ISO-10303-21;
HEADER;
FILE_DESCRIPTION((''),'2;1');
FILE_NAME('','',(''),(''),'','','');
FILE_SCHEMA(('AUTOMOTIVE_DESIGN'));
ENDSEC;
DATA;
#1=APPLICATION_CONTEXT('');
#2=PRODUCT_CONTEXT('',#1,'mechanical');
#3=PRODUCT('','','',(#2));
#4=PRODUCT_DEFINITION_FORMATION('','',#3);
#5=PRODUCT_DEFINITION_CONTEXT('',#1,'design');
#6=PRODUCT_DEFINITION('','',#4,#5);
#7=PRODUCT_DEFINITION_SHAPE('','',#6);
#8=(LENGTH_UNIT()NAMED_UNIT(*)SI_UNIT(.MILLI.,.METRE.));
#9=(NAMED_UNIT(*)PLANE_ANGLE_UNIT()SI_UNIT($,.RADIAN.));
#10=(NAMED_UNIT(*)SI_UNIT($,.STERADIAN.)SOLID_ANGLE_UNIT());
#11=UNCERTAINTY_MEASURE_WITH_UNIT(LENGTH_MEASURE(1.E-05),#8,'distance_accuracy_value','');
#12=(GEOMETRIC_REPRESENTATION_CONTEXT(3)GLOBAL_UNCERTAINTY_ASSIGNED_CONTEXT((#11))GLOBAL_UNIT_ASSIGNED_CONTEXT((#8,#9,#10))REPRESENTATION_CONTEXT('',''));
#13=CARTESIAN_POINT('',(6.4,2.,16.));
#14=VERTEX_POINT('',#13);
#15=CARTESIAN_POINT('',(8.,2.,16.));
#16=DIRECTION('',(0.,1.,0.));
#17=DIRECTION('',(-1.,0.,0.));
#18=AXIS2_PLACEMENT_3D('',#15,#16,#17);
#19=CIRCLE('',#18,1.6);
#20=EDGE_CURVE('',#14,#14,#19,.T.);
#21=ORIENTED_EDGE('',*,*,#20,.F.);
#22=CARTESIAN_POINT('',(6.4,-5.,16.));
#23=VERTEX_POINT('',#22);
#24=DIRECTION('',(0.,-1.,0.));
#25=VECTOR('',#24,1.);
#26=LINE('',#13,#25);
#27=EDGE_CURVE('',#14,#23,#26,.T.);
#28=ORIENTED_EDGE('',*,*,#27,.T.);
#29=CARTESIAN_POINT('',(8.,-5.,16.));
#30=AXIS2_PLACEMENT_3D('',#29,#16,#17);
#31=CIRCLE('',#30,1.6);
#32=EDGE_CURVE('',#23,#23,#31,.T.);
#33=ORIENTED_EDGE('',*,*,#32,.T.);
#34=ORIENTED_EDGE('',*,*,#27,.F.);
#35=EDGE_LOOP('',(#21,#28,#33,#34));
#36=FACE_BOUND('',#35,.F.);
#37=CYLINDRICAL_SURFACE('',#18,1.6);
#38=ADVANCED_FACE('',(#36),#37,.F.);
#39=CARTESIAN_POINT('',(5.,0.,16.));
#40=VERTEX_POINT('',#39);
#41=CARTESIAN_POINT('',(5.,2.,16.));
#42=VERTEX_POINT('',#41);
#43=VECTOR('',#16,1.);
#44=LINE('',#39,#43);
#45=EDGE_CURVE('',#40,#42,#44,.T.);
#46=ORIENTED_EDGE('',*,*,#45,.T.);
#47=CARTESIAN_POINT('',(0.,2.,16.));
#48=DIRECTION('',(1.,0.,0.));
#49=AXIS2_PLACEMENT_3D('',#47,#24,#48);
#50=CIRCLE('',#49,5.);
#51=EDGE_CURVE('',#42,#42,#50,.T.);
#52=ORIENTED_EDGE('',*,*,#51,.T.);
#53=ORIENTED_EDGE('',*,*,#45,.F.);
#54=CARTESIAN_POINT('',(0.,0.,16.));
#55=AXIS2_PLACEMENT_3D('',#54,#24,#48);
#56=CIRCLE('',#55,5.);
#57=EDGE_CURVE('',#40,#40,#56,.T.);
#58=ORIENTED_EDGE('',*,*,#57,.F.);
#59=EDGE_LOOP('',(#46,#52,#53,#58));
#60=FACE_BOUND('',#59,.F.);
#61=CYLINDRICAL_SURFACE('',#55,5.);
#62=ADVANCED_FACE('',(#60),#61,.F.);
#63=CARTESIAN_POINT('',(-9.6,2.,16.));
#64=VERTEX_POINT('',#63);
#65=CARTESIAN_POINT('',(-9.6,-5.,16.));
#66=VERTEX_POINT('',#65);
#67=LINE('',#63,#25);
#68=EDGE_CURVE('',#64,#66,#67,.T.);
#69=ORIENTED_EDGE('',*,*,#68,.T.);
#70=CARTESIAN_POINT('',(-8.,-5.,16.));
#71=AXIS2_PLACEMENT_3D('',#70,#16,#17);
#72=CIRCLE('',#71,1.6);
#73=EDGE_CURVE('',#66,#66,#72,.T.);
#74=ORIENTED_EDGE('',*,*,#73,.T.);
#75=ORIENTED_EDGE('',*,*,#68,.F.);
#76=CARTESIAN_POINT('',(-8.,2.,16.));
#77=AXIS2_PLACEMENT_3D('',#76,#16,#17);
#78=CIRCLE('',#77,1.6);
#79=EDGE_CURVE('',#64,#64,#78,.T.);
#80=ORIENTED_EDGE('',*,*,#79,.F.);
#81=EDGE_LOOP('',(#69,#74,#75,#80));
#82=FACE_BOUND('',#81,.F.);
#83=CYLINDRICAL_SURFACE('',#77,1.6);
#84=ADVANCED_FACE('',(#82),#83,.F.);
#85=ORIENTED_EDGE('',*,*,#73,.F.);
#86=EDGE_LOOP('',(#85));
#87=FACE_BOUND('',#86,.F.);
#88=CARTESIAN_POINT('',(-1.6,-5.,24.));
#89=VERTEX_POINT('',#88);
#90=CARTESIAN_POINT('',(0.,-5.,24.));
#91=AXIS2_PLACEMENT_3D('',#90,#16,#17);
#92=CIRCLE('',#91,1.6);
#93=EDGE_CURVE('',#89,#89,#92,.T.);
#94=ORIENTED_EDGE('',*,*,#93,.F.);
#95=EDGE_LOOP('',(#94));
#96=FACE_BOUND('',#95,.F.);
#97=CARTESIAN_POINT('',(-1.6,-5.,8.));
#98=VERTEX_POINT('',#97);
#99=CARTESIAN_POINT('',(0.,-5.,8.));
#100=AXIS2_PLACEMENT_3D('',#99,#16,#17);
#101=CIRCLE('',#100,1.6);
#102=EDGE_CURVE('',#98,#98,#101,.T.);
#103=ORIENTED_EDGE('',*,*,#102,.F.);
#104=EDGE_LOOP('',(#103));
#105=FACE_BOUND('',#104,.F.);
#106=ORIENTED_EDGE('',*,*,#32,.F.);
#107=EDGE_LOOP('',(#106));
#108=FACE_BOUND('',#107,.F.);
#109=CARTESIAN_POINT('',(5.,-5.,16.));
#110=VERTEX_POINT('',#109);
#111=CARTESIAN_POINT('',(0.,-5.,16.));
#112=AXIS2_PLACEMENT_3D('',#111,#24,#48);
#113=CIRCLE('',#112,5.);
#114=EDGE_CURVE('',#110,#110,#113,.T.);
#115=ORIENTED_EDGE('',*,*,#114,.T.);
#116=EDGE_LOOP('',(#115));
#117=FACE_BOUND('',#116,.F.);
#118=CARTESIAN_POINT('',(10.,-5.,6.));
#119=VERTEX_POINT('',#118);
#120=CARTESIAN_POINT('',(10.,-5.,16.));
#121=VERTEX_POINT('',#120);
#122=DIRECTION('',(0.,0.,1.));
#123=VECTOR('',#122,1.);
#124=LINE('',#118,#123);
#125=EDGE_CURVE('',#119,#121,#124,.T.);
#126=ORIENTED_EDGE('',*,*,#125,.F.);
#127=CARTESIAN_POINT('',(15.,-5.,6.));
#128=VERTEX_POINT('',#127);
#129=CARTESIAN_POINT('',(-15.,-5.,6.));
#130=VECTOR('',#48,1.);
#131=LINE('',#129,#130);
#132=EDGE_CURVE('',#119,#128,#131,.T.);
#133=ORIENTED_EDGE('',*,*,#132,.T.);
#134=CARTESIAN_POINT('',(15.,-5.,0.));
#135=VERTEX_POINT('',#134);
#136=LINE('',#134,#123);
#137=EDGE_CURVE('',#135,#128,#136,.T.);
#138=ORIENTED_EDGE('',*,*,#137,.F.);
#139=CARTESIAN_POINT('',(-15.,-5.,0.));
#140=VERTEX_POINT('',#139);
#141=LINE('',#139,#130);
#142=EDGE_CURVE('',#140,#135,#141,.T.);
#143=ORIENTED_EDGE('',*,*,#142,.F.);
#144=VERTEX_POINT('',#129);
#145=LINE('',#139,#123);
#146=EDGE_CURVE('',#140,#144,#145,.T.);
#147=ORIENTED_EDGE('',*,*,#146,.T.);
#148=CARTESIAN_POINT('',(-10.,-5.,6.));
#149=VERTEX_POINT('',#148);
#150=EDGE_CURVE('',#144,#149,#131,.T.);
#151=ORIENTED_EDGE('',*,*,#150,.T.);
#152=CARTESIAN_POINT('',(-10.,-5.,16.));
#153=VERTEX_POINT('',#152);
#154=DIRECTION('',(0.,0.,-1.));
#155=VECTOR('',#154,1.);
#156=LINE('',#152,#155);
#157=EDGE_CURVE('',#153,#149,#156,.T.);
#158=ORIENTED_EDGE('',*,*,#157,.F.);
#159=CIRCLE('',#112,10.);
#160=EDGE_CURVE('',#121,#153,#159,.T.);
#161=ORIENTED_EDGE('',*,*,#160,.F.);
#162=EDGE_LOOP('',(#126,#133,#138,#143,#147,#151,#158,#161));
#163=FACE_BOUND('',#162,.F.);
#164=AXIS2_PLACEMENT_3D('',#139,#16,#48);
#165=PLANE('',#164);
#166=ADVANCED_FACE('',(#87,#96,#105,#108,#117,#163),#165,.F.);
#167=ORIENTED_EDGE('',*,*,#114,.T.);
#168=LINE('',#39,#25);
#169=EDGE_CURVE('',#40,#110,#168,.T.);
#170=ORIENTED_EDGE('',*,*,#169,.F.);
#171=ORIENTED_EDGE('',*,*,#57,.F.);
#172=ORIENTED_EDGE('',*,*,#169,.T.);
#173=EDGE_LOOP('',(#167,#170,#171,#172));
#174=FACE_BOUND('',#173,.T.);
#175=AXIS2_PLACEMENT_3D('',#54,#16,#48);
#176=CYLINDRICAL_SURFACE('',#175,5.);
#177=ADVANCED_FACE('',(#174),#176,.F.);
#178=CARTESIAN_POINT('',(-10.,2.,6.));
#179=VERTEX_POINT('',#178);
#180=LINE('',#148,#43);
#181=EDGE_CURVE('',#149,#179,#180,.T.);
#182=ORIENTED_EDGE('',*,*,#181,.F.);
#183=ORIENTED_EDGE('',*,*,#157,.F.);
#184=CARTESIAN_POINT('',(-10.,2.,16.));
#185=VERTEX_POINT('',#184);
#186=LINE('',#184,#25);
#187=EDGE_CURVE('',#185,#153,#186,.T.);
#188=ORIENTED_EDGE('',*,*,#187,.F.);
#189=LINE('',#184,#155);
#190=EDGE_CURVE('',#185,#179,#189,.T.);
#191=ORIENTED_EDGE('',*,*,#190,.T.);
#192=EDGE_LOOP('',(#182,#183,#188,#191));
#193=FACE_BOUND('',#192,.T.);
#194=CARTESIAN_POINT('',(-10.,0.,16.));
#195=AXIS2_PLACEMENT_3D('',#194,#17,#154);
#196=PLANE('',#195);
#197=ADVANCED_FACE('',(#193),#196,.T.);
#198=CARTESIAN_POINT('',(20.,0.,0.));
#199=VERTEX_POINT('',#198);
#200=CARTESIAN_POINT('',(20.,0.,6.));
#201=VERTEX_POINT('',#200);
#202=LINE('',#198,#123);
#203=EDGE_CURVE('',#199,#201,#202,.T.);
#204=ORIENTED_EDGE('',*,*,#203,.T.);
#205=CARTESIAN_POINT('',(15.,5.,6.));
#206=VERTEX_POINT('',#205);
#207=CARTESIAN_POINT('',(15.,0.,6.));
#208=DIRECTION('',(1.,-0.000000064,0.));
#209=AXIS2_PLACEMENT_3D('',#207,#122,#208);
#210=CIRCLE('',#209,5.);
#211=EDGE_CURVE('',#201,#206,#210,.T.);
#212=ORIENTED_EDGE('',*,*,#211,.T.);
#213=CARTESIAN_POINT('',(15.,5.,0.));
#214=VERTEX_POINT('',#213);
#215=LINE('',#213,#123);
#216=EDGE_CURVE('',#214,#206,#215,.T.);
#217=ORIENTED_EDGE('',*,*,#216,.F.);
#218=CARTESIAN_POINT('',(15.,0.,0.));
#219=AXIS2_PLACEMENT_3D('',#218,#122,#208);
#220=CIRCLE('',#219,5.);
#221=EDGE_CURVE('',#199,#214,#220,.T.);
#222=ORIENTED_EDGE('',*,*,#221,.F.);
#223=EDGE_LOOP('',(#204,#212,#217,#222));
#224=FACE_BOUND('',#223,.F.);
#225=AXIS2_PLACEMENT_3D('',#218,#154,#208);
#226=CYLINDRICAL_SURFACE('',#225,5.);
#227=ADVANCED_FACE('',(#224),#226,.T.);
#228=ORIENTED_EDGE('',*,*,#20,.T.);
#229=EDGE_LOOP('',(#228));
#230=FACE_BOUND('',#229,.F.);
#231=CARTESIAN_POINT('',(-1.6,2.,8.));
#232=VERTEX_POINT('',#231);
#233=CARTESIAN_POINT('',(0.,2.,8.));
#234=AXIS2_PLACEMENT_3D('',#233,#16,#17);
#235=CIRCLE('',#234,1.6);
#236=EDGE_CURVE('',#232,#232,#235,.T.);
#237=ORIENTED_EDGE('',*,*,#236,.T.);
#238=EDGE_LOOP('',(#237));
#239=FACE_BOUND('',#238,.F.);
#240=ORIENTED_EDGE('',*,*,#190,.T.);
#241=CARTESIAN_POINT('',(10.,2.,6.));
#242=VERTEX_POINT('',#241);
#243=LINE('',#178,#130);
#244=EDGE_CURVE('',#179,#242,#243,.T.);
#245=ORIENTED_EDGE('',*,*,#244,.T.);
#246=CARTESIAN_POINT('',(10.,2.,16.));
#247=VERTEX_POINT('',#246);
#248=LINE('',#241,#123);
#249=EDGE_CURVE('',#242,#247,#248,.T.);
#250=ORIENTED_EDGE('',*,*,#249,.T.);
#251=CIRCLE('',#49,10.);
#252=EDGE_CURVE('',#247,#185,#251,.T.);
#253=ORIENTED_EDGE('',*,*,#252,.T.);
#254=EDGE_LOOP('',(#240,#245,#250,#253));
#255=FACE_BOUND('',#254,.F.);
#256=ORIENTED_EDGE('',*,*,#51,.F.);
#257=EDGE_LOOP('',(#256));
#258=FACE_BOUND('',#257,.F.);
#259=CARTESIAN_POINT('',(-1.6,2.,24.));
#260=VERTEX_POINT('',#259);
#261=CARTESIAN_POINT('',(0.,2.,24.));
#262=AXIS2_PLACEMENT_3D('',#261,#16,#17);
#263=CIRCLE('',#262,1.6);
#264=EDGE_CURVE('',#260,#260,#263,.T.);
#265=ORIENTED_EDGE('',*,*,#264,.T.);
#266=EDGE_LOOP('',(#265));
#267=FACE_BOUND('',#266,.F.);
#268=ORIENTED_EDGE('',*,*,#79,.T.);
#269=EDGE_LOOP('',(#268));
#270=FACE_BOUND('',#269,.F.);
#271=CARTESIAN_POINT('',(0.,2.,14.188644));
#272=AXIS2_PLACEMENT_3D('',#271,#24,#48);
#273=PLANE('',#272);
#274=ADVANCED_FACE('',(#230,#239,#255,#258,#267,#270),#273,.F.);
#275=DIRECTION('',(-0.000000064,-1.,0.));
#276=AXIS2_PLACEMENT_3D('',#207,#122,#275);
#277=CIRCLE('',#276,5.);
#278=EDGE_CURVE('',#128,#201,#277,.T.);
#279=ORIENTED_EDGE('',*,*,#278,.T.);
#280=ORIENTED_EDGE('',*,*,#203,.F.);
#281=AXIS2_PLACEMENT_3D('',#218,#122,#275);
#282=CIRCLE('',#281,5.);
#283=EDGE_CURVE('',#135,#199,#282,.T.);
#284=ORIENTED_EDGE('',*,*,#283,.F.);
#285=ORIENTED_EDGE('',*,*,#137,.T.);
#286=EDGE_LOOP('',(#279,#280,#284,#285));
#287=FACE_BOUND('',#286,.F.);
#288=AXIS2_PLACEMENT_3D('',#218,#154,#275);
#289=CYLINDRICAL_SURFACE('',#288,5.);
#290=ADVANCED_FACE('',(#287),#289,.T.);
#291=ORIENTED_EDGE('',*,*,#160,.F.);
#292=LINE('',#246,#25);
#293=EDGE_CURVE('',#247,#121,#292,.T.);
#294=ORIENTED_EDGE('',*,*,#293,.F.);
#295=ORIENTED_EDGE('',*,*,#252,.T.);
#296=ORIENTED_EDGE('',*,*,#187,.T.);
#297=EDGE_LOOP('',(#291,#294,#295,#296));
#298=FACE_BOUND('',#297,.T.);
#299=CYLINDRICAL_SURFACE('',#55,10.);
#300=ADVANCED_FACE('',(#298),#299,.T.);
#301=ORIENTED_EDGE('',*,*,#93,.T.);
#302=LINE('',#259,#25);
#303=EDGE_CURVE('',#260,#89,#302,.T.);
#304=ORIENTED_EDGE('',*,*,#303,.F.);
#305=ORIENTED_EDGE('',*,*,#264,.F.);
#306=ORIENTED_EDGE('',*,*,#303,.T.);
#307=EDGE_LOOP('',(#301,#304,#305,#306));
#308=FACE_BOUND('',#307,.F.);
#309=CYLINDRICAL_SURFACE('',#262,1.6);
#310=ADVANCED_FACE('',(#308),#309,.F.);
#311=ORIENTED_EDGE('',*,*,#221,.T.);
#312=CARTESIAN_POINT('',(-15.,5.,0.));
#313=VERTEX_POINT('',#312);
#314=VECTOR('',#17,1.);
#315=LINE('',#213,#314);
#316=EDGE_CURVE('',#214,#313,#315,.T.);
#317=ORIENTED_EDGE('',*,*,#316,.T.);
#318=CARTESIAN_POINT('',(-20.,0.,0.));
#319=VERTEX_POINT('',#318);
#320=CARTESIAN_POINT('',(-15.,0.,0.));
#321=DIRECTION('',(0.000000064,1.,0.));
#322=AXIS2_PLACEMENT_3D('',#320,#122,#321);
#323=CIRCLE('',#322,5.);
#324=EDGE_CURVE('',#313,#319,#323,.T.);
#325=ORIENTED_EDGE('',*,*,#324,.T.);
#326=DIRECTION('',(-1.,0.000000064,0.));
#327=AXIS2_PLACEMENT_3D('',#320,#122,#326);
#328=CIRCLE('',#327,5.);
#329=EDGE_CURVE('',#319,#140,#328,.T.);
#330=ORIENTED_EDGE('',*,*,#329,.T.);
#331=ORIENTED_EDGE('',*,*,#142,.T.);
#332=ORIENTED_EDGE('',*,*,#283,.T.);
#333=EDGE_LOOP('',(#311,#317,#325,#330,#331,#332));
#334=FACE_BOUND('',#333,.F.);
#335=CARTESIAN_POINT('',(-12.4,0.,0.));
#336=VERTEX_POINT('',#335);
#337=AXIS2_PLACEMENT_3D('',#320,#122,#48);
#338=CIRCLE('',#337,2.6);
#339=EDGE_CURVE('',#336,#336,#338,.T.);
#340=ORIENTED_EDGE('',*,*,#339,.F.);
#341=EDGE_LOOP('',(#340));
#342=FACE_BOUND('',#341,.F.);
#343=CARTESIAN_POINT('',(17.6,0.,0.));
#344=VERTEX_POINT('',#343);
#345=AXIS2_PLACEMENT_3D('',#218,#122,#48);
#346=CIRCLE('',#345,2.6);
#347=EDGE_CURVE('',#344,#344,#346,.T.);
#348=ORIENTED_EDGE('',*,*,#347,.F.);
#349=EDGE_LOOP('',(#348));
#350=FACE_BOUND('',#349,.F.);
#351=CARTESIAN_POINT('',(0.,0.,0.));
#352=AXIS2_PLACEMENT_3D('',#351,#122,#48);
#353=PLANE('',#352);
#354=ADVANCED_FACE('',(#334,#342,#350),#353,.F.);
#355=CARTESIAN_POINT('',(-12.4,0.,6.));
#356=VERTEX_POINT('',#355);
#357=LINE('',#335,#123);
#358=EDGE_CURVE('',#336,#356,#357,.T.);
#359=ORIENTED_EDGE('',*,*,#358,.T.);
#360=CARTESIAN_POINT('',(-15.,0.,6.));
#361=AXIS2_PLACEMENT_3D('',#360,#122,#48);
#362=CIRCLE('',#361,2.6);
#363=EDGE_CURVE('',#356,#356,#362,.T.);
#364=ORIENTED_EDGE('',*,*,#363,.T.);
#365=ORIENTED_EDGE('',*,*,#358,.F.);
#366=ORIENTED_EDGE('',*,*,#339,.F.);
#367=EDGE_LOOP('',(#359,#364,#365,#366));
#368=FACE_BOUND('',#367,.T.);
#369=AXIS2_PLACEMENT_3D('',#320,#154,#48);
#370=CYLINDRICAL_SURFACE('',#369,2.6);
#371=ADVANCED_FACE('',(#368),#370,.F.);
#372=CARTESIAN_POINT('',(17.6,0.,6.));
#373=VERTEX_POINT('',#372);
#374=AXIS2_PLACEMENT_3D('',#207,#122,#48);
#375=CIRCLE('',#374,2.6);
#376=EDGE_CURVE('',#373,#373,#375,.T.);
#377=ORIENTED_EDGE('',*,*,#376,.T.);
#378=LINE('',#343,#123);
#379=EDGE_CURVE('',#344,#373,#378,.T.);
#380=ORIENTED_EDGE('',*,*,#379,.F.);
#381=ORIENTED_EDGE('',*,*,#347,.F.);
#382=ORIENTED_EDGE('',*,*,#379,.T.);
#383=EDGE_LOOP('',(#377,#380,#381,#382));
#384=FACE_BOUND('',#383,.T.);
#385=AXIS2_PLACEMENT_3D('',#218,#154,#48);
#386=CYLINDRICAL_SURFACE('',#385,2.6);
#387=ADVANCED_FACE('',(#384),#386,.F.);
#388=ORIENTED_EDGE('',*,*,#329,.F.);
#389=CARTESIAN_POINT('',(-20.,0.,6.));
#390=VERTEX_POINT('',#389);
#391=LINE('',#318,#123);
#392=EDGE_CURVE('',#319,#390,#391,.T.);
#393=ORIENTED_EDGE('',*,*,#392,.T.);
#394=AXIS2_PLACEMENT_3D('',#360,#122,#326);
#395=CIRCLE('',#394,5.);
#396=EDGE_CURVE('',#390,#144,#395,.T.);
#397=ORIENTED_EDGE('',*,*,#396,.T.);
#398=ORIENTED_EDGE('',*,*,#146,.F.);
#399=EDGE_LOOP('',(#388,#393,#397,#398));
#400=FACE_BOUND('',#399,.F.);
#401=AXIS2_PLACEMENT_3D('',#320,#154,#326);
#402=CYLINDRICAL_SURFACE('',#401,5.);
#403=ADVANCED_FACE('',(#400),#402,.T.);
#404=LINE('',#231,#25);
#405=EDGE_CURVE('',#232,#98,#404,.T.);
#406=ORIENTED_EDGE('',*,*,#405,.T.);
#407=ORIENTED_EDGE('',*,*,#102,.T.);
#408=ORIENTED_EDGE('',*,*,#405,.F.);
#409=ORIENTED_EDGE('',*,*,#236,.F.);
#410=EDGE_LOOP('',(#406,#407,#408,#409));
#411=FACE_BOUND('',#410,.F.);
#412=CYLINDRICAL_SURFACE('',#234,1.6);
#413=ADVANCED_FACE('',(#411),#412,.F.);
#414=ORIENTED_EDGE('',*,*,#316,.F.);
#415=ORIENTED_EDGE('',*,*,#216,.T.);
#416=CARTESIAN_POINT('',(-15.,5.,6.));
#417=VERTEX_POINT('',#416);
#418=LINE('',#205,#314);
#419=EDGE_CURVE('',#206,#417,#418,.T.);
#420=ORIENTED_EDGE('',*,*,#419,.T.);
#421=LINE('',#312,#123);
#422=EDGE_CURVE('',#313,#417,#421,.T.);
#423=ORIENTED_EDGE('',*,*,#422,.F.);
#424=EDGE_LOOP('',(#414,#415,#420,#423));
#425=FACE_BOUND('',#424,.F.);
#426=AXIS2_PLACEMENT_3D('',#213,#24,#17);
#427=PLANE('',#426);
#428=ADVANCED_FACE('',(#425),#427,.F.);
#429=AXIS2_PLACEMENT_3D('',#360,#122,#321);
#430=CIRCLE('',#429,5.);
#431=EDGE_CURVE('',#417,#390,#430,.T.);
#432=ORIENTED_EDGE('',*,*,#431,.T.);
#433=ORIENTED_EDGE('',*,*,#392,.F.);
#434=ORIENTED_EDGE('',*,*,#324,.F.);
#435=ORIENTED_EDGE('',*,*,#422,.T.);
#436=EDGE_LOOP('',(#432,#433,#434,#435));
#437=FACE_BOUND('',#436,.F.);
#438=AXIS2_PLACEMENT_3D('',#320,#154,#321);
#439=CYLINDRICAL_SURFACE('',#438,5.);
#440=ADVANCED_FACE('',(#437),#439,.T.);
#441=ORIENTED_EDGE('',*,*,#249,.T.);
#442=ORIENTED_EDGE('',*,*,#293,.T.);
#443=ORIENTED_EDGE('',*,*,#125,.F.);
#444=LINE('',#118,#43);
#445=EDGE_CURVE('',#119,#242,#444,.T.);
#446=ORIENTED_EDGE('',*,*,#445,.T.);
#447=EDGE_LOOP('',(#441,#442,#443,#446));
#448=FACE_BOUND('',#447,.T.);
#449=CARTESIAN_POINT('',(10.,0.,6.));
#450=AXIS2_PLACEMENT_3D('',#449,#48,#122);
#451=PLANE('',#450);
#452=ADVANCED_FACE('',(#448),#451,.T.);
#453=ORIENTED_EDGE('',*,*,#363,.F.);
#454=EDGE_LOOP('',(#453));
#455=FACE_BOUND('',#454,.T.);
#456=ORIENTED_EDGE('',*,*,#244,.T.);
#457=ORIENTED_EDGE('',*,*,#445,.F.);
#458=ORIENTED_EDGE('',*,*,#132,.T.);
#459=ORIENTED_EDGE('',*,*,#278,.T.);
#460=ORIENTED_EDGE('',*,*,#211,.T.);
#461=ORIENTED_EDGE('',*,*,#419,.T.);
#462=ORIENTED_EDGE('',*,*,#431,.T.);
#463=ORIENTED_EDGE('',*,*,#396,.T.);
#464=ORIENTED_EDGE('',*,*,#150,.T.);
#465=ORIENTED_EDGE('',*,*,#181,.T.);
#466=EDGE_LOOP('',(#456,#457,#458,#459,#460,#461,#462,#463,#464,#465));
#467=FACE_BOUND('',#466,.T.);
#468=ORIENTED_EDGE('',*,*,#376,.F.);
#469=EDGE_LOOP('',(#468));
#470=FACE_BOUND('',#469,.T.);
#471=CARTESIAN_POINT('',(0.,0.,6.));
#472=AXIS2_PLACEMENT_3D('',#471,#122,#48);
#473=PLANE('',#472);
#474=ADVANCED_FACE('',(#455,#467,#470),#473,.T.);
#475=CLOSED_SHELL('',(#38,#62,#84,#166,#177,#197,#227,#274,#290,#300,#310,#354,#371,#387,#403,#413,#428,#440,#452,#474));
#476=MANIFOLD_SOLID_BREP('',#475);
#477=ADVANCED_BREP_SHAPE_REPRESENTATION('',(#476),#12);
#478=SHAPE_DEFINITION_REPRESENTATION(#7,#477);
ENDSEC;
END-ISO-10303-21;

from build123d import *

# Parameters (mm, degrees)
F0_R          = 2.6
F1_DEPTH      = 6
F2_R          = 5
F3_DEPTH      = 5
F3_DEPTH_BACK = 2
F4_R          = 1.6
F5_DEPTH      = 7.001


with BuildPart() as f1:
    # F0 (on Top) → F1 (new body)
    with BuildSketch(Plane.XY):
        with BuildLine():
            Line((-15, -5), (15, -5))
            ThreePointArc((15, -5), (18.535534, -3.535534), (20, 0))
            ThreePointArc((20, 0), (18.535534, 3.535534), (15, 5))
            Line((15, 5), (-15, 5))
            ThreePointArc((-15, 5), (-18.535534, 3.535534), (-20, 0))
            ThreePointArc((-20, 0), (-18.535534, -3.535534), (-15, -5))
        make_face()
        with Locations((-15, 0)):
            Circle(F0_R, mode=Mode.SUBTRACT)
        with Locations((15, 0)):
            Circle(F0_R, mode=Mode.SUBTRACT)
    extrude(amount=F1_DEPTH)

    # F2 (on Front) → F3 (join, two sides)
    with BuildSketch(Plane.XZ) as f3_sk:
        with BuildLine():
            Line((10, 6), (10, 16))
            ThreePointArc((10, 16), (0, 26), (-10, 16))
            Line((-10, 16), (-10, 6))
            Line((-10, 6), (10, 6))
        make_face()
        with Locations((0, 16)):
            Circle(F2_R, mode=Mode.SUBTRACT)
    extrude(amount=F3_DEPTH)
    extrude(f3_sk.sketch, amount=-F3_DEPTH_BACK)

    # F4 (on face) → F5 (cut, through all)
    with BuildSketch(Plane(origin=(0, 2, 0), x_dir=(-1, 0, 0), z_dir=(0, 1, 0))):
        with Locations((0, 24)):
            Circle(F4_R)
        with Locations((8, 16)):
            Circle(F4_R)
        with Locations((0, 8)):
            Circle(F4_R)
        with Locations((-8, 16)):
            Circle(F4_R)
    extrude(amount=-F5_DEPTH, mode=Mode.SUBTRACT)


solid = f1.part
